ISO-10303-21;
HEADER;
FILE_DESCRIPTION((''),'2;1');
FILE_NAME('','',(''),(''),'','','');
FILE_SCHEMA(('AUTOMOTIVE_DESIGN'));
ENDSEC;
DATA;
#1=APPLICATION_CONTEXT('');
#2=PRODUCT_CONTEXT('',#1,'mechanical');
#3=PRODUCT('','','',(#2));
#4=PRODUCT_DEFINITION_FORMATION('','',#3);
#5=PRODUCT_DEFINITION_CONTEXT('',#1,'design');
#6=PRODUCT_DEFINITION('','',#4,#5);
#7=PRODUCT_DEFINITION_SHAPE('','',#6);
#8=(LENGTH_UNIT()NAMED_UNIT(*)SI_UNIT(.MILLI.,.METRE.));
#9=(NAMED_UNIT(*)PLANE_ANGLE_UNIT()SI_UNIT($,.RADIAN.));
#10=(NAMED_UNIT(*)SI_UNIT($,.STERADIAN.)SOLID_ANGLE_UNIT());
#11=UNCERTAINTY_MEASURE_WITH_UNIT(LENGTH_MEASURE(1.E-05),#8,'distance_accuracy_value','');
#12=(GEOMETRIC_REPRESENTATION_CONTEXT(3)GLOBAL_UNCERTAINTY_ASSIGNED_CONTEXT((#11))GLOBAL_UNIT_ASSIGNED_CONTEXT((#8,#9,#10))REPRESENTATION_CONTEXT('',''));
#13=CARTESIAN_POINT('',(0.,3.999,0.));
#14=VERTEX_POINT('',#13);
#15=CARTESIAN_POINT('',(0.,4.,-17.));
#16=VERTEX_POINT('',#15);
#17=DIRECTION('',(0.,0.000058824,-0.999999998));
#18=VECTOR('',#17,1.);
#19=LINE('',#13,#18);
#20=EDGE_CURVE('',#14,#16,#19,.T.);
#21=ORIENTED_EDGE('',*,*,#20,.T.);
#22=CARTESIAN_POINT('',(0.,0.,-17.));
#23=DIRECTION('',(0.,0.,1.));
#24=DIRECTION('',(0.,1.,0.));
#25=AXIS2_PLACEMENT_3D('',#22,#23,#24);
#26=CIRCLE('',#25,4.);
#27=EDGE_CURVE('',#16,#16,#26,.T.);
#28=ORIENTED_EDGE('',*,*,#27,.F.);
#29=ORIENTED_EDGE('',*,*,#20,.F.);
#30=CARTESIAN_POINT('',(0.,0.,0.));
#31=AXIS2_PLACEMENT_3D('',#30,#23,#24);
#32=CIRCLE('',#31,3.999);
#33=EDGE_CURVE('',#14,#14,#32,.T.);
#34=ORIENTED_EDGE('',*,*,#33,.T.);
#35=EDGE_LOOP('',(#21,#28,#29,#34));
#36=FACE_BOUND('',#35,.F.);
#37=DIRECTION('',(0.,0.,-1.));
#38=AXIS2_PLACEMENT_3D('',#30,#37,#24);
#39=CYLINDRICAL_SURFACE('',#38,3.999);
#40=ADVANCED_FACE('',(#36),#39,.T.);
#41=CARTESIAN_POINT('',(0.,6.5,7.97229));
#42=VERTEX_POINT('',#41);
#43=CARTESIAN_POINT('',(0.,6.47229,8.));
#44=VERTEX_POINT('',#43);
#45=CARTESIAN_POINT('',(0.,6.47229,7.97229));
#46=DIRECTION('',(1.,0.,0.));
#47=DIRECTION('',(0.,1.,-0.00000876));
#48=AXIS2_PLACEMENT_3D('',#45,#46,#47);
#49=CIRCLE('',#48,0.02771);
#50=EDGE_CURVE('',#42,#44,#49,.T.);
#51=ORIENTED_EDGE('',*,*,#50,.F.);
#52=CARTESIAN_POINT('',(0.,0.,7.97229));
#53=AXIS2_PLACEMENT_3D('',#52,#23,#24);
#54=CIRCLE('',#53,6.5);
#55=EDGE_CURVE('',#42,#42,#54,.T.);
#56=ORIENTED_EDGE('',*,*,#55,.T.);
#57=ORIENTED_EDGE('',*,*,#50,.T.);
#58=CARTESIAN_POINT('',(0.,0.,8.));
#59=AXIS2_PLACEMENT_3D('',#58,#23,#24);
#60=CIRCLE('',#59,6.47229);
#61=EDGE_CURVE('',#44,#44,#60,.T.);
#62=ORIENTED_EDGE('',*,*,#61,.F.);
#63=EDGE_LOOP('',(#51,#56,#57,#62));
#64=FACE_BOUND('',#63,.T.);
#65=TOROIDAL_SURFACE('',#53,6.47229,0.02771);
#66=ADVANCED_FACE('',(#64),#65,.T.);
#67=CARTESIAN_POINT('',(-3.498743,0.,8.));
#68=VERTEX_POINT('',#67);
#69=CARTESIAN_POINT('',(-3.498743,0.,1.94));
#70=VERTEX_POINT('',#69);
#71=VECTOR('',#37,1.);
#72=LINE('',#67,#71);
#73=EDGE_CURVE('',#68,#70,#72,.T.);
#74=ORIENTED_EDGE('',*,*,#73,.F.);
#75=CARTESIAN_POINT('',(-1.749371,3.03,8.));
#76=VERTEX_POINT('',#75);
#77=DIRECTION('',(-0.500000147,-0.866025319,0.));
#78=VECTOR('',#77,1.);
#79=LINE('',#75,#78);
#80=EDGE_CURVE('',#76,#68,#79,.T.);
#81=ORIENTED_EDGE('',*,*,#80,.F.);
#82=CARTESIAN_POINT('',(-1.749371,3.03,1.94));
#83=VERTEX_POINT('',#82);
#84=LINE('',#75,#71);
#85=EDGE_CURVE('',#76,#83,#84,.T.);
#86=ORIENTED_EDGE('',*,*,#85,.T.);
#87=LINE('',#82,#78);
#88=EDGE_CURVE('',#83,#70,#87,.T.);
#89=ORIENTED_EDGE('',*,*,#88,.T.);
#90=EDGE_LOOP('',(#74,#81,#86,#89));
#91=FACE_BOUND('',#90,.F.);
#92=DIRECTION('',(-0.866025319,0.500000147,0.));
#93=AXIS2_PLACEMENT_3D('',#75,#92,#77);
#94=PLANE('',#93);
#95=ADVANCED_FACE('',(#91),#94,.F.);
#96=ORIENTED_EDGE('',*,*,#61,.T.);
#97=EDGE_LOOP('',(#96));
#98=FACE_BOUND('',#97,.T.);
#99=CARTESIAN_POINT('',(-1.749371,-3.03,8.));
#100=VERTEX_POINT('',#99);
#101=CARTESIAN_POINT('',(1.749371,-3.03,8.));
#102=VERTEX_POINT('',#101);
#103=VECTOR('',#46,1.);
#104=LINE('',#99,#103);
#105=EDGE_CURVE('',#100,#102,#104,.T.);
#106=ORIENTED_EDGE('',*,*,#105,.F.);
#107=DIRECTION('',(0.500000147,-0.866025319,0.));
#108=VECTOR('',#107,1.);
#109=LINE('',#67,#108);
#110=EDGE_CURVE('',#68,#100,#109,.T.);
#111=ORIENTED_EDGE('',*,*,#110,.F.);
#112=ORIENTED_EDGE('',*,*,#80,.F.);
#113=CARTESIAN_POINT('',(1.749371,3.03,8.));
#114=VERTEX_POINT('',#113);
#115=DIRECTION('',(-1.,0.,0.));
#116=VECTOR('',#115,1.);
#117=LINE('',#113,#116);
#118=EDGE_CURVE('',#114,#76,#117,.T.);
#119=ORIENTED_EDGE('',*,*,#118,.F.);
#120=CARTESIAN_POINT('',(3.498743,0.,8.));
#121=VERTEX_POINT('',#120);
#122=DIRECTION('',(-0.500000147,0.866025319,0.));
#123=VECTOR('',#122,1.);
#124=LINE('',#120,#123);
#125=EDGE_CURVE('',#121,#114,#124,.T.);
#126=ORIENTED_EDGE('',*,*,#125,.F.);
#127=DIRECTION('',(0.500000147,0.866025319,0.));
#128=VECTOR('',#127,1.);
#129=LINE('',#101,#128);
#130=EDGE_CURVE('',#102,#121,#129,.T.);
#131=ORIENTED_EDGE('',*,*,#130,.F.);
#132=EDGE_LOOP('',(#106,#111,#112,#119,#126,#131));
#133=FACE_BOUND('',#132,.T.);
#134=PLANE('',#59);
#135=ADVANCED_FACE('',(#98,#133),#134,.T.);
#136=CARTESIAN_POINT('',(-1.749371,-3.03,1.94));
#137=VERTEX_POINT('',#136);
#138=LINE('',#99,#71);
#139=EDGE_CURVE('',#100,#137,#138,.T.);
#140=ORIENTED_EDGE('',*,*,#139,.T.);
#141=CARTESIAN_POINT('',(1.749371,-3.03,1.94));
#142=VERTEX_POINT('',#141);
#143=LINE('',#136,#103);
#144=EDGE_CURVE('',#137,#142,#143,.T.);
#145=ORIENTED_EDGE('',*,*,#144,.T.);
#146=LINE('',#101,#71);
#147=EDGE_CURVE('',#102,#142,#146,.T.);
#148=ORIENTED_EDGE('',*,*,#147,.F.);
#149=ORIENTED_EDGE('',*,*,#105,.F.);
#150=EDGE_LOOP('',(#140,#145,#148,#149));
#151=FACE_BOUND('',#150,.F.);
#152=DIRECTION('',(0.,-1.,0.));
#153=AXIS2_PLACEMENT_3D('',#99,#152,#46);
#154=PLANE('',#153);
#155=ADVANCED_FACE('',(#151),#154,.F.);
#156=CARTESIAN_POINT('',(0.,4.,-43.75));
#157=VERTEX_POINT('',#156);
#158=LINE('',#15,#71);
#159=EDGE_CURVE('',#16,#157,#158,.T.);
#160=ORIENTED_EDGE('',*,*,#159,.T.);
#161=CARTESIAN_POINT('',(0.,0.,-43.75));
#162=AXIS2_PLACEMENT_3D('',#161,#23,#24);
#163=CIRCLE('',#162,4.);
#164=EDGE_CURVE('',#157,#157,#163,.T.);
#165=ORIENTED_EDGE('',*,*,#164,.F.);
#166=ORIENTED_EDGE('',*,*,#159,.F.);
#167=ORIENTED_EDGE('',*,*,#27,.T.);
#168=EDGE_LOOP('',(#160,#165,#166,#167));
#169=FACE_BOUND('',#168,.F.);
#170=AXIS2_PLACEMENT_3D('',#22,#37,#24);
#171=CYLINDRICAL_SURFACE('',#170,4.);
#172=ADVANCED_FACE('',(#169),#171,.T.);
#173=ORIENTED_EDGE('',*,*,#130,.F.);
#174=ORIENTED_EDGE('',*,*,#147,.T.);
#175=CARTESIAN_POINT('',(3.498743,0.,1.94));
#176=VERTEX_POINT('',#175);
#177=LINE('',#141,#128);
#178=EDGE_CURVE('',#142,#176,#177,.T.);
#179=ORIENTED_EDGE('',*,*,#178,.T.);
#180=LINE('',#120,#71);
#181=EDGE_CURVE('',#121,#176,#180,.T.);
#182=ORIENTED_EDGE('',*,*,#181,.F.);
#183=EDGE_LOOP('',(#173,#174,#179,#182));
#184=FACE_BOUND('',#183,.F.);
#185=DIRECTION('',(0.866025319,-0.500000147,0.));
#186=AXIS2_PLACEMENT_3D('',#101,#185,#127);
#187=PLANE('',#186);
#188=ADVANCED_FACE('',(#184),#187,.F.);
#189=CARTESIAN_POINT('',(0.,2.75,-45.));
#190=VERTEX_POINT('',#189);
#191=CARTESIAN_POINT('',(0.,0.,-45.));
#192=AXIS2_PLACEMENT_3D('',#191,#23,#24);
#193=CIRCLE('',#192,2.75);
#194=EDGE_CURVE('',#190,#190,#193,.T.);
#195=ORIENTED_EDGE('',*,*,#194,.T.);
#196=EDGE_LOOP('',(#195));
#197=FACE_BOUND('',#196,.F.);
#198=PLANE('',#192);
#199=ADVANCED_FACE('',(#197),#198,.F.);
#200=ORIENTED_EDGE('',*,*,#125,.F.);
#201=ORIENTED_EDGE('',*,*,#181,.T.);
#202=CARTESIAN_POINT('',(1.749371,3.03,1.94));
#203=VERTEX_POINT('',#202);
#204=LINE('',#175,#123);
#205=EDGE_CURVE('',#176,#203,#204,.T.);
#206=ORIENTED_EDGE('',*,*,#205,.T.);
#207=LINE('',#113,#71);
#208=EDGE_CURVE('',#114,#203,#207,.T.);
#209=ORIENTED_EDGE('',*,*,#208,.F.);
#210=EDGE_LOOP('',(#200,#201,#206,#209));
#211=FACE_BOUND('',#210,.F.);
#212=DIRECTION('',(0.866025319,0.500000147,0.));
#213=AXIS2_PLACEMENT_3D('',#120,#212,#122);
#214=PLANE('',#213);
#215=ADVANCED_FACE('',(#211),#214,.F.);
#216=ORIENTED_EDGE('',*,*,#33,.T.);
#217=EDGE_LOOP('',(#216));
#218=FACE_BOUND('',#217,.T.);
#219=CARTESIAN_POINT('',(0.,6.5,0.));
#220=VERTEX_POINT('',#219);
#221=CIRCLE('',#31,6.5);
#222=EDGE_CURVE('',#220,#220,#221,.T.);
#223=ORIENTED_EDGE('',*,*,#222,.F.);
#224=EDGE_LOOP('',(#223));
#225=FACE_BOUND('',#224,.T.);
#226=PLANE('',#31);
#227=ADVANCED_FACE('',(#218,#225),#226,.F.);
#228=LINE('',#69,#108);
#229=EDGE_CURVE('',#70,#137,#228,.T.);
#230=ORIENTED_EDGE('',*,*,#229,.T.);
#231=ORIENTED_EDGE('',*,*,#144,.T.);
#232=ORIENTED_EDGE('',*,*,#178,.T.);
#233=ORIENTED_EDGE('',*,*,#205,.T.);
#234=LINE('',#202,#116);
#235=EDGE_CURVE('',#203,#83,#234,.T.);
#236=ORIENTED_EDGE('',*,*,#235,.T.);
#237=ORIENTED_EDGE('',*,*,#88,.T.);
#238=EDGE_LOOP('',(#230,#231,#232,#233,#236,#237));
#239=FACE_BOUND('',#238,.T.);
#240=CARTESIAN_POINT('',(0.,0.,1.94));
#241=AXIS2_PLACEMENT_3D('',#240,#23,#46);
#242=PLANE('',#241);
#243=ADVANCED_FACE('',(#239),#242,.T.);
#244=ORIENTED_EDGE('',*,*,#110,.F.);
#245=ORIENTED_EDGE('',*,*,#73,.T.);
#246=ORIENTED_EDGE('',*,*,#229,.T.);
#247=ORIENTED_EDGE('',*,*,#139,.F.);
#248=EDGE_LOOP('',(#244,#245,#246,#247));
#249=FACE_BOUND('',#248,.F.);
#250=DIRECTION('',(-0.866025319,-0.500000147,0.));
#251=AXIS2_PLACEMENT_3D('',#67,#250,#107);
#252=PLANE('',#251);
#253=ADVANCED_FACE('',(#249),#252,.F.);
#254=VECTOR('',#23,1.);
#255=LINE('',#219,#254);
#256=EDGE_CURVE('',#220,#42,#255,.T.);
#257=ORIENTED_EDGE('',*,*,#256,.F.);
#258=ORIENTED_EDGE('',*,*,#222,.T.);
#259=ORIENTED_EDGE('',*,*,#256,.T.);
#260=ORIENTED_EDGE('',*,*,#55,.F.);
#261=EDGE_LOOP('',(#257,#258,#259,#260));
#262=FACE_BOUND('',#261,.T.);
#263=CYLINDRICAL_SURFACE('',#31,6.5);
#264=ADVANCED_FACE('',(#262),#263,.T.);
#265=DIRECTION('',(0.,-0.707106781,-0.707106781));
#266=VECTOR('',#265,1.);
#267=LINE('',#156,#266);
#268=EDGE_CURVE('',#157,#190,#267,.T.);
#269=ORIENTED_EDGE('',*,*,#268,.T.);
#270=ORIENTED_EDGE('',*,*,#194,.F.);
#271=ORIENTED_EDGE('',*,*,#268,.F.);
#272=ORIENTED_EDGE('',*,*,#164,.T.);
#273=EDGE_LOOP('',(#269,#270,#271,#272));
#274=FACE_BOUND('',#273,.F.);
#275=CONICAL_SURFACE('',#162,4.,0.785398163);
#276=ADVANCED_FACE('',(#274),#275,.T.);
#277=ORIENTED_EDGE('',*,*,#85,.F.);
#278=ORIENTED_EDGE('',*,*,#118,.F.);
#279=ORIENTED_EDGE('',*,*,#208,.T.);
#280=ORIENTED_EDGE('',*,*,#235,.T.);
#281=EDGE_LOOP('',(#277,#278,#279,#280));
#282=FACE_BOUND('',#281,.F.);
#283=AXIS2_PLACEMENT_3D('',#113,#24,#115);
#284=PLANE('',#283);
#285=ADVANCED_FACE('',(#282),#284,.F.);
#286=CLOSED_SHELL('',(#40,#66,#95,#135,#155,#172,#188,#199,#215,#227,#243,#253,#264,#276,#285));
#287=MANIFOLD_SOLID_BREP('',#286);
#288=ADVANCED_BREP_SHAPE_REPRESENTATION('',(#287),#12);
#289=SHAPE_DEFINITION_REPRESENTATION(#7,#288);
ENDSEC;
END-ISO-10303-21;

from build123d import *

# Parameters (mm, degrees)
POCKET_DEPTH = 6.06


with BuildPart() as part:
    # Sketch → Revolve (revolve)
    with BuildSketch(Plane.YZ):
        with BuildLine():
            Line((3.999, 0), (6.5, 0))
            Line((6.5, 0), (6.5, 7.97229))
            ThreePointArc((6.5, 7.97229), (6.491884, 7.991884), (6.47229, 8))
            Line((6.47229, 8), (0, 8))
            Line((0, -45), (0, 8))
            Line((2.75, -45), (0, -45))
            Line((4, -43.75), (2.75, -45))
            Line((4, -17), (4, -43.75))
            Line((3.999, 0), (4, -17))
        make_face()
    revolve(axis=Axis((0, 0, 0), (0, 0, 1)))

    # Sketch001 → Pocket (cut)
    with BuildSketch(Plane.XY.offset(8)):
        Polygon((3.498743, 0), (1.749371, 3.03), (-1.749371, 3.03), (-3.498743, 0), (-1.749371, -3.03), (1.749371, -3.03), align=None)
    extrude(amount=-POCKET_DEPTH, mode=Mode.SUBTRACT)


solid = part.part
